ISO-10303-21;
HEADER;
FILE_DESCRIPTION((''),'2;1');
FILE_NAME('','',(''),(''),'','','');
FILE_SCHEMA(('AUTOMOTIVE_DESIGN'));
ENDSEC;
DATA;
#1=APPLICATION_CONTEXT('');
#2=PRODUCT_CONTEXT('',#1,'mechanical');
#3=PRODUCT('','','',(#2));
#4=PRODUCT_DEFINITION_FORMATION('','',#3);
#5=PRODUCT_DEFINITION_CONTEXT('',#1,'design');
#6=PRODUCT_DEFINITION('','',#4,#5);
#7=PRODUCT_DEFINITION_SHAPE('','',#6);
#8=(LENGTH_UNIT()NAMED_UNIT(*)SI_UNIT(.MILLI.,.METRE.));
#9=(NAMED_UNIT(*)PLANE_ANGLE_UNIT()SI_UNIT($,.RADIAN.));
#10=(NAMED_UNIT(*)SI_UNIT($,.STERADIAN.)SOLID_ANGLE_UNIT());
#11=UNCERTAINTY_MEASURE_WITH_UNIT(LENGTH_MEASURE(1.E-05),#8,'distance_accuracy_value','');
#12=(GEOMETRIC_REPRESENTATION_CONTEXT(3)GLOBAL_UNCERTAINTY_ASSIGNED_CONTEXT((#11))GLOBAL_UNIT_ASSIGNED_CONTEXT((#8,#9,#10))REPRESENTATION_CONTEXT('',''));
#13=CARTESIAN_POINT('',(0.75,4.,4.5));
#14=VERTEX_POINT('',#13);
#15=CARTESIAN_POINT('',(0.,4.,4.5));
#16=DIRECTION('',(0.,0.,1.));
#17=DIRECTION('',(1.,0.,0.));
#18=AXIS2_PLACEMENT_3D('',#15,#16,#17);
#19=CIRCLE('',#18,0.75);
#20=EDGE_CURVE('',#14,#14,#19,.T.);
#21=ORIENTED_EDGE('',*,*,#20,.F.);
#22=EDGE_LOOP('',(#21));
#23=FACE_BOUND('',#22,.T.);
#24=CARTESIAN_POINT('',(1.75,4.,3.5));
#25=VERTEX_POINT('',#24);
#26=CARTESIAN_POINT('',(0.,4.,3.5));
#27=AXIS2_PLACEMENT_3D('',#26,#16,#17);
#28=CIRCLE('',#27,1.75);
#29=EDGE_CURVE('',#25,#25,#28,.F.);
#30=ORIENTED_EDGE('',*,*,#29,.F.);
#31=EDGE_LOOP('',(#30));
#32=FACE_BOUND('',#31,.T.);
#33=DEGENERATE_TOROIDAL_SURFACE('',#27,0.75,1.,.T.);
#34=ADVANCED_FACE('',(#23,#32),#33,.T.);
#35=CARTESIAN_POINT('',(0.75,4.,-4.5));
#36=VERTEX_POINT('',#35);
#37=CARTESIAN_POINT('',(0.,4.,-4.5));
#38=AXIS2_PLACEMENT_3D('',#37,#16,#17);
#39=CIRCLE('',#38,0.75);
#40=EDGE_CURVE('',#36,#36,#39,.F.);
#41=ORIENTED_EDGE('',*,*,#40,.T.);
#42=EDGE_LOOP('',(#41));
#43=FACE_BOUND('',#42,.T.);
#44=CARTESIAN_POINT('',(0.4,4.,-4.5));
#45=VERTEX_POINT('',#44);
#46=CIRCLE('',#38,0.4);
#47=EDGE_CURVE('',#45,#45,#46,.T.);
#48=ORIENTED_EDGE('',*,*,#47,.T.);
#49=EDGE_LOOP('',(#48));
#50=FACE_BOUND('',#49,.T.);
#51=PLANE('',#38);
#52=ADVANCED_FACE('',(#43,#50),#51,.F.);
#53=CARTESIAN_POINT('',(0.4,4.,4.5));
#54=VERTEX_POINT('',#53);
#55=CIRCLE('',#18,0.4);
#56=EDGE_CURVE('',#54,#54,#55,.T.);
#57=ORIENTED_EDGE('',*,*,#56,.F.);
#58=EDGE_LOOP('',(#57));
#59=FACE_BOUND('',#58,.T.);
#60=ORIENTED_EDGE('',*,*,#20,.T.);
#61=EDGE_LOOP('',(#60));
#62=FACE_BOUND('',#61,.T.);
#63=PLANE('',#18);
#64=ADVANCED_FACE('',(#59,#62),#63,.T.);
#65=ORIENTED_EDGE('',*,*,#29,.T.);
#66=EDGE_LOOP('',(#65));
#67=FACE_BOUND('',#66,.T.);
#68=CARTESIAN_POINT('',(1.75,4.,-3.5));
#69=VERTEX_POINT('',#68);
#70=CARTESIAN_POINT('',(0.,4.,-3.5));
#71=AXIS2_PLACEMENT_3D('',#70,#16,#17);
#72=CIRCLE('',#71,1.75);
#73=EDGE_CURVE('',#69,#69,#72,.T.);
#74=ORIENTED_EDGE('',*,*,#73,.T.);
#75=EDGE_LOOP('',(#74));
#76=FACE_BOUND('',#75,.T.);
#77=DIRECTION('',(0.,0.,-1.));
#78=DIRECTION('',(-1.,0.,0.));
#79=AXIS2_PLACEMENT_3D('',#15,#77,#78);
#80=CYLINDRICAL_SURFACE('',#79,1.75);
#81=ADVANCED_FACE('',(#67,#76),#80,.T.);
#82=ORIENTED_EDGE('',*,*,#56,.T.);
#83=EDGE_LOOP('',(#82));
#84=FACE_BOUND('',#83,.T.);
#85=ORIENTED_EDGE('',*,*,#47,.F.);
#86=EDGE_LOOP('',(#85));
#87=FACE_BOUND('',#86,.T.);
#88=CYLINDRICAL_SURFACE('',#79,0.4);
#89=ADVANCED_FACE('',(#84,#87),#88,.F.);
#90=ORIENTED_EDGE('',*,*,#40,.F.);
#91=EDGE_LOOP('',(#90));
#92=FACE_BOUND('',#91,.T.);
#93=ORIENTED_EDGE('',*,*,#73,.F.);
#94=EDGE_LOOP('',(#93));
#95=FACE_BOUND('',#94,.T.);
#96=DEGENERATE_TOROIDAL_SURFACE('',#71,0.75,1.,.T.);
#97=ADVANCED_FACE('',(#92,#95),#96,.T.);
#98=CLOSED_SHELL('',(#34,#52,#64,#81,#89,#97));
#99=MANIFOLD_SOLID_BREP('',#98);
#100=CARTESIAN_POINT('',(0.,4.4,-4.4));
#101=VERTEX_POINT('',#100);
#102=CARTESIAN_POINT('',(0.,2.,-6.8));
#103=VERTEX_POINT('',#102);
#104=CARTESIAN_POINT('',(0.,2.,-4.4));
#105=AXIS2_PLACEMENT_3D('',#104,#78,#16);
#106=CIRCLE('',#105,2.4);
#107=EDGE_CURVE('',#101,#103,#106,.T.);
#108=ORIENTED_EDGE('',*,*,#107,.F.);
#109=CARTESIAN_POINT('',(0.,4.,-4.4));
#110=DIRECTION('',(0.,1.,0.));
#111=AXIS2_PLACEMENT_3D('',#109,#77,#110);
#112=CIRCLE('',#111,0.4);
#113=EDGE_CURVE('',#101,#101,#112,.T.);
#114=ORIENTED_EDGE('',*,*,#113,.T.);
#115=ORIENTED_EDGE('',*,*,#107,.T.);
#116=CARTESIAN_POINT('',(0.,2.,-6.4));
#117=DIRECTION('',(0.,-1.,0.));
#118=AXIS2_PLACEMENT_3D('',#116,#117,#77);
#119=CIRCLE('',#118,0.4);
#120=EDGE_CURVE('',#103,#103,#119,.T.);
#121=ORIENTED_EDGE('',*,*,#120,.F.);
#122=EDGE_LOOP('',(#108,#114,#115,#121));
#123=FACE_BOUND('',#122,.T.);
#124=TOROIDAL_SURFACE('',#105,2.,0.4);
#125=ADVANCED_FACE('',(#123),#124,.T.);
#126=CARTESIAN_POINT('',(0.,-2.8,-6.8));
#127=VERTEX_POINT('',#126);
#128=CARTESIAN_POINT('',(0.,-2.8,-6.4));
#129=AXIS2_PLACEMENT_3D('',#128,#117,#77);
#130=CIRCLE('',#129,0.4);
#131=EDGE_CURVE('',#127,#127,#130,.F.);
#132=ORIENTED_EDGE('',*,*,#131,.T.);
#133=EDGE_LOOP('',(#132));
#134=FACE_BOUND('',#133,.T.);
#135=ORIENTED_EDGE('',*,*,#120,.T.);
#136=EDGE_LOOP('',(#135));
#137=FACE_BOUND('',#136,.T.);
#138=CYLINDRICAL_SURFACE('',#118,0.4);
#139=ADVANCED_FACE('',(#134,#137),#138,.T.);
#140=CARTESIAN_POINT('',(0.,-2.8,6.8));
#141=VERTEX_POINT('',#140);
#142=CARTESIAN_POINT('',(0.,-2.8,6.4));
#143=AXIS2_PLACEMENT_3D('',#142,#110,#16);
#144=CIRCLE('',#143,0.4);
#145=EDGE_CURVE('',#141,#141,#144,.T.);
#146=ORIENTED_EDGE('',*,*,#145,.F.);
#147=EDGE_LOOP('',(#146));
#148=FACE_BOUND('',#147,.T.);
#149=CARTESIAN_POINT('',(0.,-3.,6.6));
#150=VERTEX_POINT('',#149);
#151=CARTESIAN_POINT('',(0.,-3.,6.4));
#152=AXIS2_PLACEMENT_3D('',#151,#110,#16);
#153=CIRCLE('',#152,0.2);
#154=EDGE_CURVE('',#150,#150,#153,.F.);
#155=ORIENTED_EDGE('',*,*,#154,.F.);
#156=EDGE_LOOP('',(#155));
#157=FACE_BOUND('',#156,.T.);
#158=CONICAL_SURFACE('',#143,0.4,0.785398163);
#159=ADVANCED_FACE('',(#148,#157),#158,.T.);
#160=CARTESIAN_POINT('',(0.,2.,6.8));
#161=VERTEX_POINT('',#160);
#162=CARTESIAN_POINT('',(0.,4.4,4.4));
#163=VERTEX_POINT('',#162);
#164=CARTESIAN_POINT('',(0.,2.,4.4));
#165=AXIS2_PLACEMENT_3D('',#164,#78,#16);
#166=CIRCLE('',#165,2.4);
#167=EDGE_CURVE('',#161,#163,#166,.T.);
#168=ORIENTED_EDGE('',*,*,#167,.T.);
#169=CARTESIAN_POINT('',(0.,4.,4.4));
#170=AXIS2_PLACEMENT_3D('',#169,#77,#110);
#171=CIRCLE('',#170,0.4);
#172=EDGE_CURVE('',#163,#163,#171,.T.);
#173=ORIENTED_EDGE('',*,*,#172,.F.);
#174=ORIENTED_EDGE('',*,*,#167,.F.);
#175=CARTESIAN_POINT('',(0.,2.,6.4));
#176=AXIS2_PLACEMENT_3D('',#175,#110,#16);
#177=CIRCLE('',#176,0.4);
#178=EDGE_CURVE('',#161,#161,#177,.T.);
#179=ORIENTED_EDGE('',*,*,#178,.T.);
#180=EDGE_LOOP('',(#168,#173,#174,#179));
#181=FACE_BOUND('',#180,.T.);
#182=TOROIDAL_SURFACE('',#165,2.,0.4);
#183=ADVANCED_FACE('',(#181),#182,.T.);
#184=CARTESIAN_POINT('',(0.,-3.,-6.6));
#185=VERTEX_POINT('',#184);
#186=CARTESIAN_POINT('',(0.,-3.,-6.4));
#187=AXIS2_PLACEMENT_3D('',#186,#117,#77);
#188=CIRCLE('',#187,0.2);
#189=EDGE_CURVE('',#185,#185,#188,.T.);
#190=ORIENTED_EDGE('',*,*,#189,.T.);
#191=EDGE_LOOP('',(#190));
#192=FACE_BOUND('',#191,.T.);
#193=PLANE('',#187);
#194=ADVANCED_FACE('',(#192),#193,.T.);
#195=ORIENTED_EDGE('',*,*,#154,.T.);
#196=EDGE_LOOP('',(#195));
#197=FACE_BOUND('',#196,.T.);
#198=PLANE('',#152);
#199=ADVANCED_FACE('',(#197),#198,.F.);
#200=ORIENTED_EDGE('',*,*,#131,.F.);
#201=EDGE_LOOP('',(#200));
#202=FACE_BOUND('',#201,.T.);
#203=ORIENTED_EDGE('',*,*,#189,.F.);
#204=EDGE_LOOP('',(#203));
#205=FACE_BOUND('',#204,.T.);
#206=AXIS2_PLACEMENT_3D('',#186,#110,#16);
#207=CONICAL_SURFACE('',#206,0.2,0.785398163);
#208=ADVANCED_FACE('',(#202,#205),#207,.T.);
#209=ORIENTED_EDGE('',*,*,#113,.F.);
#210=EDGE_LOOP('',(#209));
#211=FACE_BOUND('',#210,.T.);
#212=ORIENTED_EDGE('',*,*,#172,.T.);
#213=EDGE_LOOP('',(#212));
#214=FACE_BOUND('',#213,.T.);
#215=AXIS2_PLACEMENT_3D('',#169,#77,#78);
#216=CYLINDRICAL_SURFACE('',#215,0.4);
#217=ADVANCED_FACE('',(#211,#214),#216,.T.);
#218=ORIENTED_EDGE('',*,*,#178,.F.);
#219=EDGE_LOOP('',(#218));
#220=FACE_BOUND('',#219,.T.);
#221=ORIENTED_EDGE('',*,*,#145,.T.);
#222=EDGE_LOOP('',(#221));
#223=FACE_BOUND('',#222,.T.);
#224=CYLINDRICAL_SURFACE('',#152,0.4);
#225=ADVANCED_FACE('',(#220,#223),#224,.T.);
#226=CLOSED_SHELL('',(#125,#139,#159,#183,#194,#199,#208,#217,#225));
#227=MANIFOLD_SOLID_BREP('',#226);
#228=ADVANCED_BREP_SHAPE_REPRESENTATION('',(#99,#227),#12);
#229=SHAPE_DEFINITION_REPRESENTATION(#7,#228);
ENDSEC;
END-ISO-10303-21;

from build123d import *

# Parameters (mm, degrees)
SKETCH6_R           = 0.4
SKETCH7_R           = 1.75
SKETCH7_R_2         = 0.4
BOSS_EXTRUDE1_DEPTH = 4.5
FILLET1_R           = 1
CHAMFER1_SIZE       = 0.2


with BuildPart() as part:
    # Sweep1: sweep along a path in Sketch1
    with BuildLine(Plane(origin=(0, 0, 0), x_dir=(0, 0, -1), z_dir=(1, 0, 0))) as sweep1_path:
        Line((-6.4, -3), (-6.4, 2))
        ThreePointArc((-6.4, 2), (-5.814213562, 3.414213562), (-4.4, 4))
        Line((-4.4, 4), (4.4, 4))
        ThreePointArc((4.4, 4), (5.814213562, 3.414213562), (6.4, 2))
        Line((6.4, 2), (6.4, -3))
    # Sketch6 → Sweep1 (sweep)
    with BuildSketch(Plane(origin=(0, -3, 6.4), x_dir=(1, 0, 0), z_dir=(0, 1, 0))):
        Circle(SKETCH6_R)
    sweep(path=sweep1_path.line)

    # Chamfer1
    chamfer1_edges = [part.edges().sort_by_distance(p)[0] for p in [
        (-0.4, -3, -6.4),
        (-0.4, -3, 6.4),
    ]]
    chamfer(chamfer1_edges, length=CHAMFER1_SIZE)


with BuildPart() as body_2:
    # Sketch7 → Boss-Extrude1 (new, symmetric)
    with BuildSketch(Plane.XY):
        with Locations((0, 4)):
            Circle(SKETCH7_R)
        with Locations((0, 4)):
            Circle(SKETCH7_R_2, mode=Mode.SUBTRACT)
    extrude(amount=BOSS_EXTRUDE1_DEPTH, both=True)

    # Fillet1
    fillet1_edges = [body_2.edges().sort_by_distance(p)[0] for p in [
        (-1.75, 4, -4.5),
        (-1.75, 4, 4.5),
    ]]
    fillet(fillet1_edges, radius=FILLET1_R)


solid = Compound([part.part, body_2.part])
